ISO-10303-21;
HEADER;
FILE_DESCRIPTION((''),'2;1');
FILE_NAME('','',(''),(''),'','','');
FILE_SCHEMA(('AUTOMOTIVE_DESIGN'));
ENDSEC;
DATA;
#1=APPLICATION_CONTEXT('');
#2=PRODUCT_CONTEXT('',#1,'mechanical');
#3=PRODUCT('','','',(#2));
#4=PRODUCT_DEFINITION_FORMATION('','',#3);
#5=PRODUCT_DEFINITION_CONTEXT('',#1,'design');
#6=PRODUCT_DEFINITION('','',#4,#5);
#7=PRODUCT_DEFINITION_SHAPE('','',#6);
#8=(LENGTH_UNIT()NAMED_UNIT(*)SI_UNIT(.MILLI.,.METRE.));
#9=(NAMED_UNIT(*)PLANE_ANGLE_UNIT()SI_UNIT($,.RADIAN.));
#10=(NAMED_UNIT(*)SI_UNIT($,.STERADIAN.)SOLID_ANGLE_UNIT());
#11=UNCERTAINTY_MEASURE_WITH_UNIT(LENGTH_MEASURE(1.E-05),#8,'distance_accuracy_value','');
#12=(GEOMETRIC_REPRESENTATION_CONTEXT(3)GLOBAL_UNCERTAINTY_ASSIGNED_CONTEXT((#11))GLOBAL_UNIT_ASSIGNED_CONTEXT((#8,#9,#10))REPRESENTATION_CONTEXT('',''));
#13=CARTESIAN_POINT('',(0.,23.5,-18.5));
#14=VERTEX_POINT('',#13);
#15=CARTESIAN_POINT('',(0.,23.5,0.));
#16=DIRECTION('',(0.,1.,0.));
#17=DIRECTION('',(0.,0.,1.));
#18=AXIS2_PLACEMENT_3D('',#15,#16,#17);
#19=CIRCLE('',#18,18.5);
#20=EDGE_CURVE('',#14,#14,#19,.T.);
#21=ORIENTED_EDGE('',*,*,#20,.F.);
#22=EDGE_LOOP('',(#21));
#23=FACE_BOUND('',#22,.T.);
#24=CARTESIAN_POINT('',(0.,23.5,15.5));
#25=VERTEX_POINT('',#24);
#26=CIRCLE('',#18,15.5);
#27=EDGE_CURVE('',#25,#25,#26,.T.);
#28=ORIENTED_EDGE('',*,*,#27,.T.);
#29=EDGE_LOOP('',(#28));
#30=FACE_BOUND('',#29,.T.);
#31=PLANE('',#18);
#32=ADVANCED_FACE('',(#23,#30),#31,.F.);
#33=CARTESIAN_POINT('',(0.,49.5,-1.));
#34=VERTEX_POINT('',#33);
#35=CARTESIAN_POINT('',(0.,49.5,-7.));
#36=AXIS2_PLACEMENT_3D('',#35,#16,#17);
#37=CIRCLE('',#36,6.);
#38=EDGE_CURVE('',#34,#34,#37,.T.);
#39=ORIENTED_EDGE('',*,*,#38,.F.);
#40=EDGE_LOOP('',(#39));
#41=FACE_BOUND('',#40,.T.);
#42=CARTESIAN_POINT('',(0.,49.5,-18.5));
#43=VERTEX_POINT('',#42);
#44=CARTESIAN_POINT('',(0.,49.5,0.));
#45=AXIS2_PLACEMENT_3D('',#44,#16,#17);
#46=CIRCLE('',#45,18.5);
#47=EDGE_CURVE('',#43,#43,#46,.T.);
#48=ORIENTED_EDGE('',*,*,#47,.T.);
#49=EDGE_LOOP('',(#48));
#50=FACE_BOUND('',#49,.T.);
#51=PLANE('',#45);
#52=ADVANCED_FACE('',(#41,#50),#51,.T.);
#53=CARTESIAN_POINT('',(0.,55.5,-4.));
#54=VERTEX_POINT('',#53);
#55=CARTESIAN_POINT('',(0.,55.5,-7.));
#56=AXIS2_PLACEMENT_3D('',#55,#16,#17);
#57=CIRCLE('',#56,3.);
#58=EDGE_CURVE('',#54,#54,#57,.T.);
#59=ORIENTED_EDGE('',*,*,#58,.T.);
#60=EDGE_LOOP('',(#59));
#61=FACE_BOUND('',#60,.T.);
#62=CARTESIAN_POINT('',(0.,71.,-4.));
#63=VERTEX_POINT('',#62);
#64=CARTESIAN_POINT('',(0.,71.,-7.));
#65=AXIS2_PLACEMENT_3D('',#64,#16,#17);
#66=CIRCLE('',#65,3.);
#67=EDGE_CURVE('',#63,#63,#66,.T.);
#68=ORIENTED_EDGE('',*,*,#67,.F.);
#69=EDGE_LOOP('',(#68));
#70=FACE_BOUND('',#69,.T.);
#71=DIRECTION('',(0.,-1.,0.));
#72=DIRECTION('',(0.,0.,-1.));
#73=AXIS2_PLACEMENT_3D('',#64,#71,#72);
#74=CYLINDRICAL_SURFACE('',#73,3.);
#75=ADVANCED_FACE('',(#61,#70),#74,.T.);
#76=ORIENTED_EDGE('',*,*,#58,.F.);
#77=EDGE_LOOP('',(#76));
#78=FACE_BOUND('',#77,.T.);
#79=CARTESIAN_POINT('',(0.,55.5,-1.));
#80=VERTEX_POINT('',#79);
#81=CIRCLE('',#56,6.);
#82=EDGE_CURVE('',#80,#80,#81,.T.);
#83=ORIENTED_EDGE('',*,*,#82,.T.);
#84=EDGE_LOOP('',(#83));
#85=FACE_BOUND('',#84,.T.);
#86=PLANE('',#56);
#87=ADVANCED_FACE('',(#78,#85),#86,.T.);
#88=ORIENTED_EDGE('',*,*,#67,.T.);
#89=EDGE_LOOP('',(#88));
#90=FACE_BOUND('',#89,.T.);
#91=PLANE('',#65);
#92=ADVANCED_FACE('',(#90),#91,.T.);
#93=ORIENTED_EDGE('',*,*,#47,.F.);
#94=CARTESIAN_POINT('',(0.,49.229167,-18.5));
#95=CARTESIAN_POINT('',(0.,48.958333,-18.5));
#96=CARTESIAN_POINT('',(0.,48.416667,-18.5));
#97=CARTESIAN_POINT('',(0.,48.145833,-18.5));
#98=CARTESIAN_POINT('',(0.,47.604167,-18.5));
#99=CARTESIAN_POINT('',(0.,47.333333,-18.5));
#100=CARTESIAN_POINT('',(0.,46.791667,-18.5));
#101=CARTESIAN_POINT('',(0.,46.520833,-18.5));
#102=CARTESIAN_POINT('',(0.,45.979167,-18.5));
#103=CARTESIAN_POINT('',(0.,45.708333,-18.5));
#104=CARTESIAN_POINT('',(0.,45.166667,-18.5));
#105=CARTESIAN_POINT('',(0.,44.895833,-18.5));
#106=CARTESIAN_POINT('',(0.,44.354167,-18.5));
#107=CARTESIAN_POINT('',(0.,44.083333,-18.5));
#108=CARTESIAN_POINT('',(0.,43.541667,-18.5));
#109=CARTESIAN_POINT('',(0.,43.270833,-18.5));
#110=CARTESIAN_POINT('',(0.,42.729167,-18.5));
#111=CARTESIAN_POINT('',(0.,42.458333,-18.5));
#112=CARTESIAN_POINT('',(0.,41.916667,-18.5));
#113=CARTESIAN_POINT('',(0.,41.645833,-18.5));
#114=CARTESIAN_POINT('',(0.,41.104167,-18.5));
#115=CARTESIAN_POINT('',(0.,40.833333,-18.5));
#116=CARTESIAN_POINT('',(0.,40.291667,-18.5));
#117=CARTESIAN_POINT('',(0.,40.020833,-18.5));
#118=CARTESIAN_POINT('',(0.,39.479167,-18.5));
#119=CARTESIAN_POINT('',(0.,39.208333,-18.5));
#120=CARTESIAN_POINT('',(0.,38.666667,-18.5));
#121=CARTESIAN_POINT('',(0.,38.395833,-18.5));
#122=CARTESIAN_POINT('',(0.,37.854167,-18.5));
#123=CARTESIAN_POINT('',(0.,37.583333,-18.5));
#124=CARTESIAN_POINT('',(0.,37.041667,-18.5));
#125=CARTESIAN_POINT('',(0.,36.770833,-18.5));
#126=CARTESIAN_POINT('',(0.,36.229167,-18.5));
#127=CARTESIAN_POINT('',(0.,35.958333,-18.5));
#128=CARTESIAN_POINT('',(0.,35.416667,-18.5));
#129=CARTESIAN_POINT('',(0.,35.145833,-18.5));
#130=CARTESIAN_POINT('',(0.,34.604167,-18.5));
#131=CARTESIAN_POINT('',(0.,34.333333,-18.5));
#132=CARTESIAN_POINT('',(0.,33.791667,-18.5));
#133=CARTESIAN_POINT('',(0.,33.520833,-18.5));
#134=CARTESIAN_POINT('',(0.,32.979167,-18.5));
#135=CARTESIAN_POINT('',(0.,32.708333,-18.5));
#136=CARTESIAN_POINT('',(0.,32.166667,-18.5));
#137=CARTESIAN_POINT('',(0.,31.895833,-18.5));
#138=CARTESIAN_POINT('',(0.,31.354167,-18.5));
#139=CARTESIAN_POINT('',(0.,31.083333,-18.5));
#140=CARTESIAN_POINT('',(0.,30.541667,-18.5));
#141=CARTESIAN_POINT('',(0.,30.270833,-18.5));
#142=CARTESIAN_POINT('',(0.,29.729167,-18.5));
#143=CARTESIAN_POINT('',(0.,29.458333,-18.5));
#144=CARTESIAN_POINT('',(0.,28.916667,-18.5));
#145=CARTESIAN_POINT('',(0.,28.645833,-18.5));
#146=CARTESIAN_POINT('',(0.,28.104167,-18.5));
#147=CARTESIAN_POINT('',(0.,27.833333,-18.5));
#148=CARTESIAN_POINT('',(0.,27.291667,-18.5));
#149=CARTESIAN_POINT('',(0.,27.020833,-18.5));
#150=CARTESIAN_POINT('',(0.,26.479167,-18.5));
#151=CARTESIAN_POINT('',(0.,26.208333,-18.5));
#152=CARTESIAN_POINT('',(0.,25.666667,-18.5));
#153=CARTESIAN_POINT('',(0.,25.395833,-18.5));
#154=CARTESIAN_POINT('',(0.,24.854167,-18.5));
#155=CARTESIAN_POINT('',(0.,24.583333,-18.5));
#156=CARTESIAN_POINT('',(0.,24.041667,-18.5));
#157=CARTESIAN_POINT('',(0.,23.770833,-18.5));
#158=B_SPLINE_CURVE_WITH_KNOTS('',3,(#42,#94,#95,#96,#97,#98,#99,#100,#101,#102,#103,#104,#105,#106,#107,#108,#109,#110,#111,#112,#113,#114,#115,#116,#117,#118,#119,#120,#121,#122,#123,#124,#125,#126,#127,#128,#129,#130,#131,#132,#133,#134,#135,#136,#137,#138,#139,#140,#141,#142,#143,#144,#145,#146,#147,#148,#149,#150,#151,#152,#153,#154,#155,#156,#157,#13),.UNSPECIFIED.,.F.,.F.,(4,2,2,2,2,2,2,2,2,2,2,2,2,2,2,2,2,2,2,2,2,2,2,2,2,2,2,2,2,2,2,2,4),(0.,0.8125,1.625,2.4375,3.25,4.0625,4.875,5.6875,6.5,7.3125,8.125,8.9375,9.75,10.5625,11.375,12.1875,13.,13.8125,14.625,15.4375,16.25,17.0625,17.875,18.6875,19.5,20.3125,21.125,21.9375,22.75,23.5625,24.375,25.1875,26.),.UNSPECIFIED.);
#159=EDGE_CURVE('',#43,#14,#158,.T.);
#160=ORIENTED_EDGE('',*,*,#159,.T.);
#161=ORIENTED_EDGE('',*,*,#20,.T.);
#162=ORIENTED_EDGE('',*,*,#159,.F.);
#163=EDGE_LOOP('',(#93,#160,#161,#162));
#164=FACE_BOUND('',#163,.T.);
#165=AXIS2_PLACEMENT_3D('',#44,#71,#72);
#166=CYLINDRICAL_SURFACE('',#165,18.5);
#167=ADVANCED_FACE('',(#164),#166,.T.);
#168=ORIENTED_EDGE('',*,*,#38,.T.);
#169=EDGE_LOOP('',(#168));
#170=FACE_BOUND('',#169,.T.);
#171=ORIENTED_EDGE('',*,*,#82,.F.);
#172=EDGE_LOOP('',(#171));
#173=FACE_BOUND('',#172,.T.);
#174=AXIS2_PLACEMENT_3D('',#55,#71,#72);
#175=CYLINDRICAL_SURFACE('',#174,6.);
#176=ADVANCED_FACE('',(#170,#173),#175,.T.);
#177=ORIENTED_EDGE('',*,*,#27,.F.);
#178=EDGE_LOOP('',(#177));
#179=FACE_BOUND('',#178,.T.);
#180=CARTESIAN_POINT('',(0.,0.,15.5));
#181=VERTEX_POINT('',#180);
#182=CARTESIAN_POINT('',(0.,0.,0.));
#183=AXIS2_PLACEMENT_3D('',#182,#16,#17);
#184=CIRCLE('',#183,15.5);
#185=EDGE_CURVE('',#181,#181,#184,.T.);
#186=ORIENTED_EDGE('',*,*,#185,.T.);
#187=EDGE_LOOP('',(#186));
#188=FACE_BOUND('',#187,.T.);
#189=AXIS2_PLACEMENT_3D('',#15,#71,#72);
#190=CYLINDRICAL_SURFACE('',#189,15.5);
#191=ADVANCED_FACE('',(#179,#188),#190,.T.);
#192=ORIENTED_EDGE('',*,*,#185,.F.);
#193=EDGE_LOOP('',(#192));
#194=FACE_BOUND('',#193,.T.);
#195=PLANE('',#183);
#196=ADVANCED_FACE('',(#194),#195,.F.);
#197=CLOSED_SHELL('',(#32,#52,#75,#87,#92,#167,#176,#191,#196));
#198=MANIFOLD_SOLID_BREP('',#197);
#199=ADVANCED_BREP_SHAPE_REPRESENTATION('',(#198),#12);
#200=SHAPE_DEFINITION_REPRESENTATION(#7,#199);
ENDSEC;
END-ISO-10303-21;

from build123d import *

# Parameters (mm, degrees)
SKETCH1_R           = 15.5
BOSS_EXTRUDE1_DEPTH = 23.5
SKETCH2_R           = 18.5
BOSS_EXTRUDE2_DEPTH = 26
SKETCH3_R           = 6
BOSS_EXTRUDE3_DEPTH = 6
SKETCH4_R           = 3
BOSS_EXTRUDE4_DEPTH = 15.5


with BuildPart() as part:
    # Sketch1 → Boss-Extrude1 (new body)
    with BuildSketch(Plane(origin=(0, 0, 0), x_dir=(1, 0, 0), z_dir=(0, 1, 0))):
        with Locations(Location((0, 0, 0), (0, 0, 270))):
            Circle(SKETCH1_R)
    extrude(amount=BOSS_EXTRUDE1_DEPTH)

    # Sketch2 → Boss-Extrude2 (add)
    with BuildSketch(Plane(origin=(0, 23.5, 0), x_dir=(1, 0, 0), z_dir=(0, 1, 0))):
        with Locations(Location((0, 0, 0), (0, 0, 90))):
            Circle(SKETCH2_R)
    extrude(amount=BOSS_EXTRUDE2_DEPTH)

    # Sketch3 → Boss-Extrude3 (add)
    with BuildSketch(Plane(origin=(0, 49.5, 0), x_dir=(1, 0, 0), z_dir=(0, 1, 0))):
        with Locations(Location((0, 7, 0), (0, 0, 270))):
            Circle(SKETCH3_R)
    extrude(amount=BOSS_EXTRUDE3_DEPTH)

    # Sketch4 → Boss-Extrude4 (add)
    with BuildSketch(Plane(origin=(0, 55.5, 0), x_dir=(1, 0, 0), z_dir=(0, 1, 0))):
        with Locations(Location((0, 7, 0), (0, 0, 270))):
            Circle(SKETCH4_R)
    extrude(amount=BOSS_EXTRUDE4_DEPTH)


solid = part.part
